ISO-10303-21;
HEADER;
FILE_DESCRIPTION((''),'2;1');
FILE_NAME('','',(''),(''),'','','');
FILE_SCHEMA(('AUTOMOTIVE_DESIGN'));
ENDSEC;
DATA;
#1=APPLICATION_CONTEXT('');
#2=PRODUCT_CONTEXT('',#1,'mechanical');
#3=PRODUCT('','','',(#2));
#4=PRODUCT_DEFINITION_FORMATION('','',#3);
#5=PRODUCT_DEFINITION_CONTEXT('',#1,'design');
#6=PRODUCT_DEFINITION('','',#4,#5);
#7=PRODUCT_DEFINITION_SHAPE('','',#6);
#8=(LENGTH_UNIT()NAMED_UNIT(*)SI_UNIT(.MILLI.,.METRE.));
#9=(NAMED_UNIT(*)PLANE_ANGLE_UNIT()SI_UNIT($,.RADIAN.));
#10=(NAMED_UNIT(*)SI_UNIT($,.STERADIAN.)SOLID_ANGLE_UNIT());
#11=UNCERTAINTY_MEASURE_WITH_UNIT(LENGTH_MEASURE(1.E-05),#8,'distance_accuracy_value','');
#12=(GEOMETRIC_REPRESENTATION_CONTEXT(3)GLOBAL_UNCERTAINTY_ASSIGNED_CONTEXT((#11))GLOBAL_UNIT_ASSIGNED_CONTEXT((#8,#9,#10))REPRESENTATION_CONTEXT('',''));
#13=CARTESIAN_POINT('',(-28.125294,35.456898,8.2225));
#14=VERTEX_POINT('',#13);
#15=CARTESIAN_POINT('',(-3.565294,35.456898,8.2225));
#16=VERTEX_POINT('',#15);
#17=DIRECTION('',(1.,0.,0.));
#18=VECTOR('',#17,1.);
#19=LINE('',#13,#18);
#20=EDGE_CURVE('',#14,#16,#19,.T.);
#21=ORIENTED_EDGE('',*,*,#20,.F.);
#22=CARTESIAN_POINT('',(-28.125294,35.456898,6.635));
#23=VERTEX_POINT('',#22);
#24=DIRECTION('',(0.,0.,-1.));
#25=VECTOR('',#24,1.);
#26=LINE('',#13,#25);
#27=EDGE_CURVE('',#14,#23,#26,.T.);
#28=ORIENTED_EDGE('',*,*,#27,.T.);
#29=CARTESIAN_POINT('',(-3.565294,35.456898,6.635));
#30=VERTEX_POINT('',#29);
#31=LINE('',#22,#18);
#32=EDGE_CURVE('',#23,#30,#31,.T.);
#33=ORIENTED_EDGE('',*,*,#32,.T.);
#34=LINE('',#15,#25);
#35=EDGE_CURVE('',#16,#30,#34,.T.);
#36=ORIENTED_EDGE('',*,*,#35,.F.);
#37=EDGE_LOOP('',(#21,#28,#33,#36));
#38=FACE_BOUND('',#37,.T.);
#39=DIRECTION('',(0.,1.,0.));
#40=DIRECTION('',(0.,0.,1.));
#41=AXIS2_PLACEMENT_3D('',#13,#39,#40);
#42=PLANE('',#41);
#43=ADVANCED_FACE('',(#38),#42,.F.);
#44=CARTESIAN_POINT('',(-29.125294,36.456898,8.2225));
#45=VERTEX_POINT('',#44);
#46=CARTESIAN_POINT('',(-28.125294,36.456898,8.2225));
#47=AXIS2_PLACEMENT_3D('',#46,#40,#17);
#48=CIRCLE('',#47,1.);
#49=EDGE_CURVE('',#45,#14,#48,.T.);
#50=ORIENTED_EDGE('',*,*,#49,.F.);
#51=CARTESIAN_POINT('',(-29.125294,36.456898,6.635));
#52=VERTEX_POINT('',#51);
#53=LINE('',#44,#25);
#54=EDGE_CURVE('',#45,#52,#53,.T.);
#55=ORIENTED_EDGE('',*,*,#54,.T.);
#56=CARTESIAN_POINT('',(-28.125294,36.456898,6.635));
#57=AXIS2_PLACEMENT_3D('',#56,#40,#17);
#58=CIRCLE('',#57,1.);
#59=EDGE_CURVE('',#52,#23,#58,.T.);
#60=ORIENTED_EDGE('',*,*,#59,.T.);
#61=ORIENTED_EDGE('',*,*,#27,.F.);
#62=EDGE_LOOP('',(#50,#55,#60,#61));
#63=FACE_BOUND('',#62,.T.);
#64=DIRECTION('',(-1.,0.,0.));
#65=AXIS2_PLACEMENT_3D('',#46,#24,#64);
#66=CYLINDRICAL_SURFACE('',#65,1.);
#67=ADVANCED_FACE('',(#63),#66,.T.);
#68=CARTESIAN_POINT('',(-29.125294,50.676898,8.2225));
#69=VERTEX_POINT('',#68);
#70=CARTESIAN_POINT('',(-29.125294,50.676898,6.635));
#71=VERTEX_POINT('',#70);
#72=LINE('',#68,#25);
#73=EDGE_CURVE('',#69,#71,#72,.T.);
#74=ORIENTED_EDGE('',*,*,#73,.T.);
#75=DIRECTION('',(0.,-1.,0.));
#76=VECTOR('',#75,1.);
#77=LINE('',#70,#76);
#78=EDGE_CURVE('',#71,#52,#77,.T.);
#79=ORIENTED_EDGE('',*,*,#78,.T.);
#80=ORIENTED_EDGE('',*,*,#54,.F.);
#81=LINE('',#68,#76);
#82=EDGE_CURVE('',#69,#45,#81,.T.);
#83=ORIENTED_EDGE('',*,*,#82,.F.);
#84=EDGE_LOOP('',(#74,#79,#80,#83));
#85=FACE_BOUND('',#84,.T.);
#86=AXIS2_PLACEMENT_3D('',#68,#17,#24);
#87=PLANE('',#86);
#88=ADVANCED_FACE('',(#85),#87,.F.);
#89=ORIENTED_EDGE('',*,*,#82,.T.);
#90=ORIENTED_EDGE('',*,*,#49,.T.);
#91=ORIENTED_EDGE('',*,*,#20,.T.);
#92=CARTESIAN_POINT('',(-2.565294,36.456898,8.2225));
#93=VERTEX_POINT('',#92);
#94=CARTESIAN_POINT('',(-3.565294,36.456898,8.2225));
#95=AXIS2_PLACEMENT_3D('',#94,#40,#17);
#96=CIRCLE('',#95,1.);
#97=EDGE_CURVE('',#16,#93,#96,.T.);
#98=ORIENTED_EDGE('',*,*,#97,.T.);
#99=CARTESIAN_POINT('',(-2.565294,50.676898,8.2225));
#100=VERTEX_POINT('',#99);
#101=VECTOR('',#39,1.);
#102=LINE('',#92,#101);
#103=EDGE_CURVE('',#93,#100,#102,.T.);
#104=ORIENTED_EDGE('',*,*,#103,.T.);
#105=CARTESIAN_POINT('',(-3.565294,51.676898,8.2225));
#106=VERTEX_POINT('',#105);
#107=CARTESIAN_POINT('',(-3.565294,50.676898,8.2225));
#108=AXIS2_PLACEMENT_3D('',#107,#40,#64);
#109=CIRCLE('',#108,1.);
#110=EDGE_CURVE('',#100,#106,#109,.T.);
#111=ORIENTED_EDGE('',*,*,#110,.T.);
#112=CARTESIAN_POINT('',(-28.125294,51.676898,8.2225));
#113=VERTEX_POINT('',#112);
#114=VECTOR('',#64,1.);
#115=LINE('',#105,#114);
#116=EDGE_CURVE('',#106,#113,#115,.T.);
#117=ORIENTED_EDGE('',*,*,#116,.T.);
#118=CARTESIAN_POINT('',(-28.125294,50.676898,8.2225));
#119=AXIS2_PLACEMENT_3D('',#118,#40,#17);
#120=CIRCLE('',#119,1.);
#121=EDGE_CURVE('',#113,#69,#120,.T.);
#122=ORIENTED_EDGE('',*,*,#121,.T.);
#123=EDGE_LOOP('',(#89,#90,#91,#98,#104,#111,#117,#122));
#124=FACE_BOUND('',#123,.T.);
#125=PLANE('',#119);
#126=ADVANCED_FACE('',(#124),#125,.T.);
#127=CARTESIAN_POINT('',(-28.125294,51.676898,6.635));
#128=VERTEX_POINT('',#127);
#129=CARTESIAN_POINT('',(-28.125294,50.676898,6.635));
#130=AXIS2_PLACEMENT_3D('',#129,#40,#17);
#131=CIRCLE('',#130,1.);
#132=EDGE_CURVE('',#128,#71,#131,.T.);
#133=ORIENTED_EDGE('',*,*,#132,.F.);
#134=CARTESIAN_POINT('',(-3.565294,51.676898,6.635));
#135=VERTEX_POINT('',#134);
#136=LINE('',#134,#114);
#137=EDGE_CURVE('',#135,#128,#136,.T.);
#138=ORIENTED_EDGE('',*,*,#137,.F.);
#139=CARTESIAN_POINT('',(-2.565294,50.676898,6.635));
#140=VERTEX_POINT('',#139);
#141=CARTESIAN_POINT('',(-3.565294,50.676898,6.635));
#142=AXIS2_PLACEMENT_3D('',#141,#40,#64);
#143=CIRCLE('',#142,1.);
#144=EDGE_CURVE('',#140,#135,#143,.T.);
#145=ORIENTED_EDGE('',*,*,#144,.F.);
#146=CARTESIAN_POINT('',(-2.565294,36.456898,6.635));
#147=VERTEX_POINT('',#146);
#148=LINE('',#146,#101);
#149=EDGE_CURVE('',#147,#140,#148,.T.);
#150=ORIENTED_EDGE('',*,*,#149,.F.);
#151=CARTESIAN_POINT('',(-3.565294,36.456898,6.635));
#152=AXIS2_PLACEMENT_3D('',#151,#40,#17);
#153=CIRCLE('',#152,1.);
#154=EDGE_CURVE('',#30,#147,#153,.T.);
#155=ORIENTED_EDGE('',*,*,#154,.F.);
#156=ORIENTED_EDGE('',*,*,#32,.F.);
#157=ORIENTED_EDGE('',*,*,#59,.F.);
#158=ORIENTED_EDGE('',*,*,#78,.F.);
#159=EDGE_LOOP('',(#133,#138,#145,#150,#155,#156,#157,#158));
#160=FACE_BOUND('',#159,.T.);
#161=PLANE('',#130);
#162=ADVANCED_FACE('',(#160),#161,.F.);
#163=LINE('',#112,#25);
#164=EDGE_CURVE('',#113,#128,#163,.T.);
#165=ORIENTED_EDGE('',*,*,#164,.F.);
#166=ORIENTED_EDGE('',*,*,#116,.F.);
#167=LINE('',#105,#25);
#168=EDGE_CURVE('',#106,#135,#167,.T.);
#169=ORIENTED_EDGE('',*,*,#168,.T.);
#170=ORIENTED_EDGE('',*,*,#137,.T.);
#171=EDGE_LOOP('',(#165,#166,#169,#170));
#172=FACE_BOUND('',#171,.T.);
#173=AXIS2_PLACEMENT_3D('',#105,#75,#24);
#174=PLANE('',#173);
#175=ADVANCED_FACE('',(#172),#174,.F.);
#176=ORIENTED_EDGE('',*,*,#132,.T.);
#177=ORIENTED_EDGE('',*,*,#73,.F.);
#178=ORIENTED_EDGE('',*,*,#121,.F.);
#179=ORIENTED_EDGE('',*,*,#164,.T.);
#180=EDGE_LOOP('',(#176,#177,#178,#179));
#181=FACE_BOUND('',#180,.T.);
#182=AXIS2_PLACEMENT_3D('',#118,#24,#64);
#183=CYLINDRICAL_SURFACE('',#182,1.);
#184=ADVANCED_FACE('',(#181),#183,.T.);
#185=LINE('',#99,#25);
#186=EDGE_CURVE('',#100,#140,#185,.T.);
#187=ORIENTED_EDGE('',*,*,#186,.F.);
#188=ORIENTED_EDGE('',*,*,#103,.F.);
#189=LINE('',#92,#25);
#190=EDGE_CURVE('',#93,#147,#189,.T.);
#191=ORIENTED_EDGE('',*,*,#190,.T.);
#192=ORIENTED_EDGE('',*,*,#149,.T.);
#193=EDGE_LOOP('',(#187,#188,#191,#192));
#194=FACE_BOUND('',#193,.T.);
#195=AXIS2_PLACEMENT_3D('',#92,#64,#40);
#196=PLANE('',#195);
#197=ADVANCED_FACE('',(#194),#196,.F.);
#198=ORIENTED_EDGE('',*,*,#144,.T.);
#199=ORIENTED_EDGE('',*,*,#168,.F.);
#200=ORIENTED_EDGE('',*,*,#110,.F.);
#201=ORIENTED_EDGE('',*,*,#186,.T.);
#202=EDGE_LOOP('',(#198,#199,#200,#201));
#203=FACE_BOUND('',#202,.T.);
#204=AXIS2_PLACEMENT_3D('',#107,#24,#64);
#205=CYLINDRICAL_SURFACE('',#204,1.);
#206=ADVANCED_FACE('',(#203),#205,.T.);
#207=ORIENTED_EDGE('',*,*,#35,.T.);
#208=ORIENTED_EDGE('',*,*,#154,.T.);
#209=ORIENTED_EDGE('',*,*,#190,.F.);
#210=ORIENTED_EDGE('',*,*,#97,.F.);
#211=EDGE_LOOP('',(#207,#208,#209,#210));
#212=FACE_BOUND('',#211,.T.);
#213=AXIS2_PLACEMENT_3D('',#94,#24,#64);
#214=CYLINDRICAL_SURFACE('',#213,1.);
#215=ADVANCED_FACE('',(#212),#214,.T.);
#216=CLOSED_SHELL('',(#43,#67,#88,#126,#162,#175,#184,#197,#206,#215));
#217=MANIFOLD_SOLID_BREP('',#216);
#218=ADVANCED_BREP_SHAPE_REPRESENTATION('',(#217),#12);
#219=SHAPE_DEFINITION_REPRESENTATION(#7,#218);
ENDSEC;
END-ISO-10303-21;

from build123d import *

# Parameters (mm, degrees)
BOSS_EXTRUDE1_START = 0.5
BOSS_EXTRUDE1_DEPTH = 1.5875


with BuildPart() as part:
    # Sketch1 → Boss-Extrude1 (new body)
    with BuildSketch(Plane.XY.offset(6.134999756).offset(BOSS_EXTRUDE1_START)):
        with BuildLine():
            Line((-3.565294436, 51.676898136), (-28.125294436, 51.676898136))
            ThreePointArc((-28.125294436, 51.676898136), (-28.832401217, 51.384004917), (-29.125294436, 50.676898136))
            Line((-29.125294436, 50.676898136), (-29.125294436, 36.456898136))
            ThreePointArc((-29.125294436, 36.456898136), (-28.832401217, 35.749791355), (-28.125294436, 35.456898136))
            Line((-28.125294436, 35.456898136), (-3.565294436, 35.456898136))
            ThreePointArc((-3.565294436, 35.456898136), (-2.858187655, 35.749791355), (-2.565294436, 36.456898136))
            Line((-2.565294436, 36.456898136), (-2.565294436, 50.676898136))
            ThreePointArc((-2.565294436, 50.676898136), (-2.858187655, 51.384004917), (-3.565294436, 51.676898136))
        make_face()
    extrude(amount=BOSS_EXTRUDE1_DEPTH)


solid = part.part
